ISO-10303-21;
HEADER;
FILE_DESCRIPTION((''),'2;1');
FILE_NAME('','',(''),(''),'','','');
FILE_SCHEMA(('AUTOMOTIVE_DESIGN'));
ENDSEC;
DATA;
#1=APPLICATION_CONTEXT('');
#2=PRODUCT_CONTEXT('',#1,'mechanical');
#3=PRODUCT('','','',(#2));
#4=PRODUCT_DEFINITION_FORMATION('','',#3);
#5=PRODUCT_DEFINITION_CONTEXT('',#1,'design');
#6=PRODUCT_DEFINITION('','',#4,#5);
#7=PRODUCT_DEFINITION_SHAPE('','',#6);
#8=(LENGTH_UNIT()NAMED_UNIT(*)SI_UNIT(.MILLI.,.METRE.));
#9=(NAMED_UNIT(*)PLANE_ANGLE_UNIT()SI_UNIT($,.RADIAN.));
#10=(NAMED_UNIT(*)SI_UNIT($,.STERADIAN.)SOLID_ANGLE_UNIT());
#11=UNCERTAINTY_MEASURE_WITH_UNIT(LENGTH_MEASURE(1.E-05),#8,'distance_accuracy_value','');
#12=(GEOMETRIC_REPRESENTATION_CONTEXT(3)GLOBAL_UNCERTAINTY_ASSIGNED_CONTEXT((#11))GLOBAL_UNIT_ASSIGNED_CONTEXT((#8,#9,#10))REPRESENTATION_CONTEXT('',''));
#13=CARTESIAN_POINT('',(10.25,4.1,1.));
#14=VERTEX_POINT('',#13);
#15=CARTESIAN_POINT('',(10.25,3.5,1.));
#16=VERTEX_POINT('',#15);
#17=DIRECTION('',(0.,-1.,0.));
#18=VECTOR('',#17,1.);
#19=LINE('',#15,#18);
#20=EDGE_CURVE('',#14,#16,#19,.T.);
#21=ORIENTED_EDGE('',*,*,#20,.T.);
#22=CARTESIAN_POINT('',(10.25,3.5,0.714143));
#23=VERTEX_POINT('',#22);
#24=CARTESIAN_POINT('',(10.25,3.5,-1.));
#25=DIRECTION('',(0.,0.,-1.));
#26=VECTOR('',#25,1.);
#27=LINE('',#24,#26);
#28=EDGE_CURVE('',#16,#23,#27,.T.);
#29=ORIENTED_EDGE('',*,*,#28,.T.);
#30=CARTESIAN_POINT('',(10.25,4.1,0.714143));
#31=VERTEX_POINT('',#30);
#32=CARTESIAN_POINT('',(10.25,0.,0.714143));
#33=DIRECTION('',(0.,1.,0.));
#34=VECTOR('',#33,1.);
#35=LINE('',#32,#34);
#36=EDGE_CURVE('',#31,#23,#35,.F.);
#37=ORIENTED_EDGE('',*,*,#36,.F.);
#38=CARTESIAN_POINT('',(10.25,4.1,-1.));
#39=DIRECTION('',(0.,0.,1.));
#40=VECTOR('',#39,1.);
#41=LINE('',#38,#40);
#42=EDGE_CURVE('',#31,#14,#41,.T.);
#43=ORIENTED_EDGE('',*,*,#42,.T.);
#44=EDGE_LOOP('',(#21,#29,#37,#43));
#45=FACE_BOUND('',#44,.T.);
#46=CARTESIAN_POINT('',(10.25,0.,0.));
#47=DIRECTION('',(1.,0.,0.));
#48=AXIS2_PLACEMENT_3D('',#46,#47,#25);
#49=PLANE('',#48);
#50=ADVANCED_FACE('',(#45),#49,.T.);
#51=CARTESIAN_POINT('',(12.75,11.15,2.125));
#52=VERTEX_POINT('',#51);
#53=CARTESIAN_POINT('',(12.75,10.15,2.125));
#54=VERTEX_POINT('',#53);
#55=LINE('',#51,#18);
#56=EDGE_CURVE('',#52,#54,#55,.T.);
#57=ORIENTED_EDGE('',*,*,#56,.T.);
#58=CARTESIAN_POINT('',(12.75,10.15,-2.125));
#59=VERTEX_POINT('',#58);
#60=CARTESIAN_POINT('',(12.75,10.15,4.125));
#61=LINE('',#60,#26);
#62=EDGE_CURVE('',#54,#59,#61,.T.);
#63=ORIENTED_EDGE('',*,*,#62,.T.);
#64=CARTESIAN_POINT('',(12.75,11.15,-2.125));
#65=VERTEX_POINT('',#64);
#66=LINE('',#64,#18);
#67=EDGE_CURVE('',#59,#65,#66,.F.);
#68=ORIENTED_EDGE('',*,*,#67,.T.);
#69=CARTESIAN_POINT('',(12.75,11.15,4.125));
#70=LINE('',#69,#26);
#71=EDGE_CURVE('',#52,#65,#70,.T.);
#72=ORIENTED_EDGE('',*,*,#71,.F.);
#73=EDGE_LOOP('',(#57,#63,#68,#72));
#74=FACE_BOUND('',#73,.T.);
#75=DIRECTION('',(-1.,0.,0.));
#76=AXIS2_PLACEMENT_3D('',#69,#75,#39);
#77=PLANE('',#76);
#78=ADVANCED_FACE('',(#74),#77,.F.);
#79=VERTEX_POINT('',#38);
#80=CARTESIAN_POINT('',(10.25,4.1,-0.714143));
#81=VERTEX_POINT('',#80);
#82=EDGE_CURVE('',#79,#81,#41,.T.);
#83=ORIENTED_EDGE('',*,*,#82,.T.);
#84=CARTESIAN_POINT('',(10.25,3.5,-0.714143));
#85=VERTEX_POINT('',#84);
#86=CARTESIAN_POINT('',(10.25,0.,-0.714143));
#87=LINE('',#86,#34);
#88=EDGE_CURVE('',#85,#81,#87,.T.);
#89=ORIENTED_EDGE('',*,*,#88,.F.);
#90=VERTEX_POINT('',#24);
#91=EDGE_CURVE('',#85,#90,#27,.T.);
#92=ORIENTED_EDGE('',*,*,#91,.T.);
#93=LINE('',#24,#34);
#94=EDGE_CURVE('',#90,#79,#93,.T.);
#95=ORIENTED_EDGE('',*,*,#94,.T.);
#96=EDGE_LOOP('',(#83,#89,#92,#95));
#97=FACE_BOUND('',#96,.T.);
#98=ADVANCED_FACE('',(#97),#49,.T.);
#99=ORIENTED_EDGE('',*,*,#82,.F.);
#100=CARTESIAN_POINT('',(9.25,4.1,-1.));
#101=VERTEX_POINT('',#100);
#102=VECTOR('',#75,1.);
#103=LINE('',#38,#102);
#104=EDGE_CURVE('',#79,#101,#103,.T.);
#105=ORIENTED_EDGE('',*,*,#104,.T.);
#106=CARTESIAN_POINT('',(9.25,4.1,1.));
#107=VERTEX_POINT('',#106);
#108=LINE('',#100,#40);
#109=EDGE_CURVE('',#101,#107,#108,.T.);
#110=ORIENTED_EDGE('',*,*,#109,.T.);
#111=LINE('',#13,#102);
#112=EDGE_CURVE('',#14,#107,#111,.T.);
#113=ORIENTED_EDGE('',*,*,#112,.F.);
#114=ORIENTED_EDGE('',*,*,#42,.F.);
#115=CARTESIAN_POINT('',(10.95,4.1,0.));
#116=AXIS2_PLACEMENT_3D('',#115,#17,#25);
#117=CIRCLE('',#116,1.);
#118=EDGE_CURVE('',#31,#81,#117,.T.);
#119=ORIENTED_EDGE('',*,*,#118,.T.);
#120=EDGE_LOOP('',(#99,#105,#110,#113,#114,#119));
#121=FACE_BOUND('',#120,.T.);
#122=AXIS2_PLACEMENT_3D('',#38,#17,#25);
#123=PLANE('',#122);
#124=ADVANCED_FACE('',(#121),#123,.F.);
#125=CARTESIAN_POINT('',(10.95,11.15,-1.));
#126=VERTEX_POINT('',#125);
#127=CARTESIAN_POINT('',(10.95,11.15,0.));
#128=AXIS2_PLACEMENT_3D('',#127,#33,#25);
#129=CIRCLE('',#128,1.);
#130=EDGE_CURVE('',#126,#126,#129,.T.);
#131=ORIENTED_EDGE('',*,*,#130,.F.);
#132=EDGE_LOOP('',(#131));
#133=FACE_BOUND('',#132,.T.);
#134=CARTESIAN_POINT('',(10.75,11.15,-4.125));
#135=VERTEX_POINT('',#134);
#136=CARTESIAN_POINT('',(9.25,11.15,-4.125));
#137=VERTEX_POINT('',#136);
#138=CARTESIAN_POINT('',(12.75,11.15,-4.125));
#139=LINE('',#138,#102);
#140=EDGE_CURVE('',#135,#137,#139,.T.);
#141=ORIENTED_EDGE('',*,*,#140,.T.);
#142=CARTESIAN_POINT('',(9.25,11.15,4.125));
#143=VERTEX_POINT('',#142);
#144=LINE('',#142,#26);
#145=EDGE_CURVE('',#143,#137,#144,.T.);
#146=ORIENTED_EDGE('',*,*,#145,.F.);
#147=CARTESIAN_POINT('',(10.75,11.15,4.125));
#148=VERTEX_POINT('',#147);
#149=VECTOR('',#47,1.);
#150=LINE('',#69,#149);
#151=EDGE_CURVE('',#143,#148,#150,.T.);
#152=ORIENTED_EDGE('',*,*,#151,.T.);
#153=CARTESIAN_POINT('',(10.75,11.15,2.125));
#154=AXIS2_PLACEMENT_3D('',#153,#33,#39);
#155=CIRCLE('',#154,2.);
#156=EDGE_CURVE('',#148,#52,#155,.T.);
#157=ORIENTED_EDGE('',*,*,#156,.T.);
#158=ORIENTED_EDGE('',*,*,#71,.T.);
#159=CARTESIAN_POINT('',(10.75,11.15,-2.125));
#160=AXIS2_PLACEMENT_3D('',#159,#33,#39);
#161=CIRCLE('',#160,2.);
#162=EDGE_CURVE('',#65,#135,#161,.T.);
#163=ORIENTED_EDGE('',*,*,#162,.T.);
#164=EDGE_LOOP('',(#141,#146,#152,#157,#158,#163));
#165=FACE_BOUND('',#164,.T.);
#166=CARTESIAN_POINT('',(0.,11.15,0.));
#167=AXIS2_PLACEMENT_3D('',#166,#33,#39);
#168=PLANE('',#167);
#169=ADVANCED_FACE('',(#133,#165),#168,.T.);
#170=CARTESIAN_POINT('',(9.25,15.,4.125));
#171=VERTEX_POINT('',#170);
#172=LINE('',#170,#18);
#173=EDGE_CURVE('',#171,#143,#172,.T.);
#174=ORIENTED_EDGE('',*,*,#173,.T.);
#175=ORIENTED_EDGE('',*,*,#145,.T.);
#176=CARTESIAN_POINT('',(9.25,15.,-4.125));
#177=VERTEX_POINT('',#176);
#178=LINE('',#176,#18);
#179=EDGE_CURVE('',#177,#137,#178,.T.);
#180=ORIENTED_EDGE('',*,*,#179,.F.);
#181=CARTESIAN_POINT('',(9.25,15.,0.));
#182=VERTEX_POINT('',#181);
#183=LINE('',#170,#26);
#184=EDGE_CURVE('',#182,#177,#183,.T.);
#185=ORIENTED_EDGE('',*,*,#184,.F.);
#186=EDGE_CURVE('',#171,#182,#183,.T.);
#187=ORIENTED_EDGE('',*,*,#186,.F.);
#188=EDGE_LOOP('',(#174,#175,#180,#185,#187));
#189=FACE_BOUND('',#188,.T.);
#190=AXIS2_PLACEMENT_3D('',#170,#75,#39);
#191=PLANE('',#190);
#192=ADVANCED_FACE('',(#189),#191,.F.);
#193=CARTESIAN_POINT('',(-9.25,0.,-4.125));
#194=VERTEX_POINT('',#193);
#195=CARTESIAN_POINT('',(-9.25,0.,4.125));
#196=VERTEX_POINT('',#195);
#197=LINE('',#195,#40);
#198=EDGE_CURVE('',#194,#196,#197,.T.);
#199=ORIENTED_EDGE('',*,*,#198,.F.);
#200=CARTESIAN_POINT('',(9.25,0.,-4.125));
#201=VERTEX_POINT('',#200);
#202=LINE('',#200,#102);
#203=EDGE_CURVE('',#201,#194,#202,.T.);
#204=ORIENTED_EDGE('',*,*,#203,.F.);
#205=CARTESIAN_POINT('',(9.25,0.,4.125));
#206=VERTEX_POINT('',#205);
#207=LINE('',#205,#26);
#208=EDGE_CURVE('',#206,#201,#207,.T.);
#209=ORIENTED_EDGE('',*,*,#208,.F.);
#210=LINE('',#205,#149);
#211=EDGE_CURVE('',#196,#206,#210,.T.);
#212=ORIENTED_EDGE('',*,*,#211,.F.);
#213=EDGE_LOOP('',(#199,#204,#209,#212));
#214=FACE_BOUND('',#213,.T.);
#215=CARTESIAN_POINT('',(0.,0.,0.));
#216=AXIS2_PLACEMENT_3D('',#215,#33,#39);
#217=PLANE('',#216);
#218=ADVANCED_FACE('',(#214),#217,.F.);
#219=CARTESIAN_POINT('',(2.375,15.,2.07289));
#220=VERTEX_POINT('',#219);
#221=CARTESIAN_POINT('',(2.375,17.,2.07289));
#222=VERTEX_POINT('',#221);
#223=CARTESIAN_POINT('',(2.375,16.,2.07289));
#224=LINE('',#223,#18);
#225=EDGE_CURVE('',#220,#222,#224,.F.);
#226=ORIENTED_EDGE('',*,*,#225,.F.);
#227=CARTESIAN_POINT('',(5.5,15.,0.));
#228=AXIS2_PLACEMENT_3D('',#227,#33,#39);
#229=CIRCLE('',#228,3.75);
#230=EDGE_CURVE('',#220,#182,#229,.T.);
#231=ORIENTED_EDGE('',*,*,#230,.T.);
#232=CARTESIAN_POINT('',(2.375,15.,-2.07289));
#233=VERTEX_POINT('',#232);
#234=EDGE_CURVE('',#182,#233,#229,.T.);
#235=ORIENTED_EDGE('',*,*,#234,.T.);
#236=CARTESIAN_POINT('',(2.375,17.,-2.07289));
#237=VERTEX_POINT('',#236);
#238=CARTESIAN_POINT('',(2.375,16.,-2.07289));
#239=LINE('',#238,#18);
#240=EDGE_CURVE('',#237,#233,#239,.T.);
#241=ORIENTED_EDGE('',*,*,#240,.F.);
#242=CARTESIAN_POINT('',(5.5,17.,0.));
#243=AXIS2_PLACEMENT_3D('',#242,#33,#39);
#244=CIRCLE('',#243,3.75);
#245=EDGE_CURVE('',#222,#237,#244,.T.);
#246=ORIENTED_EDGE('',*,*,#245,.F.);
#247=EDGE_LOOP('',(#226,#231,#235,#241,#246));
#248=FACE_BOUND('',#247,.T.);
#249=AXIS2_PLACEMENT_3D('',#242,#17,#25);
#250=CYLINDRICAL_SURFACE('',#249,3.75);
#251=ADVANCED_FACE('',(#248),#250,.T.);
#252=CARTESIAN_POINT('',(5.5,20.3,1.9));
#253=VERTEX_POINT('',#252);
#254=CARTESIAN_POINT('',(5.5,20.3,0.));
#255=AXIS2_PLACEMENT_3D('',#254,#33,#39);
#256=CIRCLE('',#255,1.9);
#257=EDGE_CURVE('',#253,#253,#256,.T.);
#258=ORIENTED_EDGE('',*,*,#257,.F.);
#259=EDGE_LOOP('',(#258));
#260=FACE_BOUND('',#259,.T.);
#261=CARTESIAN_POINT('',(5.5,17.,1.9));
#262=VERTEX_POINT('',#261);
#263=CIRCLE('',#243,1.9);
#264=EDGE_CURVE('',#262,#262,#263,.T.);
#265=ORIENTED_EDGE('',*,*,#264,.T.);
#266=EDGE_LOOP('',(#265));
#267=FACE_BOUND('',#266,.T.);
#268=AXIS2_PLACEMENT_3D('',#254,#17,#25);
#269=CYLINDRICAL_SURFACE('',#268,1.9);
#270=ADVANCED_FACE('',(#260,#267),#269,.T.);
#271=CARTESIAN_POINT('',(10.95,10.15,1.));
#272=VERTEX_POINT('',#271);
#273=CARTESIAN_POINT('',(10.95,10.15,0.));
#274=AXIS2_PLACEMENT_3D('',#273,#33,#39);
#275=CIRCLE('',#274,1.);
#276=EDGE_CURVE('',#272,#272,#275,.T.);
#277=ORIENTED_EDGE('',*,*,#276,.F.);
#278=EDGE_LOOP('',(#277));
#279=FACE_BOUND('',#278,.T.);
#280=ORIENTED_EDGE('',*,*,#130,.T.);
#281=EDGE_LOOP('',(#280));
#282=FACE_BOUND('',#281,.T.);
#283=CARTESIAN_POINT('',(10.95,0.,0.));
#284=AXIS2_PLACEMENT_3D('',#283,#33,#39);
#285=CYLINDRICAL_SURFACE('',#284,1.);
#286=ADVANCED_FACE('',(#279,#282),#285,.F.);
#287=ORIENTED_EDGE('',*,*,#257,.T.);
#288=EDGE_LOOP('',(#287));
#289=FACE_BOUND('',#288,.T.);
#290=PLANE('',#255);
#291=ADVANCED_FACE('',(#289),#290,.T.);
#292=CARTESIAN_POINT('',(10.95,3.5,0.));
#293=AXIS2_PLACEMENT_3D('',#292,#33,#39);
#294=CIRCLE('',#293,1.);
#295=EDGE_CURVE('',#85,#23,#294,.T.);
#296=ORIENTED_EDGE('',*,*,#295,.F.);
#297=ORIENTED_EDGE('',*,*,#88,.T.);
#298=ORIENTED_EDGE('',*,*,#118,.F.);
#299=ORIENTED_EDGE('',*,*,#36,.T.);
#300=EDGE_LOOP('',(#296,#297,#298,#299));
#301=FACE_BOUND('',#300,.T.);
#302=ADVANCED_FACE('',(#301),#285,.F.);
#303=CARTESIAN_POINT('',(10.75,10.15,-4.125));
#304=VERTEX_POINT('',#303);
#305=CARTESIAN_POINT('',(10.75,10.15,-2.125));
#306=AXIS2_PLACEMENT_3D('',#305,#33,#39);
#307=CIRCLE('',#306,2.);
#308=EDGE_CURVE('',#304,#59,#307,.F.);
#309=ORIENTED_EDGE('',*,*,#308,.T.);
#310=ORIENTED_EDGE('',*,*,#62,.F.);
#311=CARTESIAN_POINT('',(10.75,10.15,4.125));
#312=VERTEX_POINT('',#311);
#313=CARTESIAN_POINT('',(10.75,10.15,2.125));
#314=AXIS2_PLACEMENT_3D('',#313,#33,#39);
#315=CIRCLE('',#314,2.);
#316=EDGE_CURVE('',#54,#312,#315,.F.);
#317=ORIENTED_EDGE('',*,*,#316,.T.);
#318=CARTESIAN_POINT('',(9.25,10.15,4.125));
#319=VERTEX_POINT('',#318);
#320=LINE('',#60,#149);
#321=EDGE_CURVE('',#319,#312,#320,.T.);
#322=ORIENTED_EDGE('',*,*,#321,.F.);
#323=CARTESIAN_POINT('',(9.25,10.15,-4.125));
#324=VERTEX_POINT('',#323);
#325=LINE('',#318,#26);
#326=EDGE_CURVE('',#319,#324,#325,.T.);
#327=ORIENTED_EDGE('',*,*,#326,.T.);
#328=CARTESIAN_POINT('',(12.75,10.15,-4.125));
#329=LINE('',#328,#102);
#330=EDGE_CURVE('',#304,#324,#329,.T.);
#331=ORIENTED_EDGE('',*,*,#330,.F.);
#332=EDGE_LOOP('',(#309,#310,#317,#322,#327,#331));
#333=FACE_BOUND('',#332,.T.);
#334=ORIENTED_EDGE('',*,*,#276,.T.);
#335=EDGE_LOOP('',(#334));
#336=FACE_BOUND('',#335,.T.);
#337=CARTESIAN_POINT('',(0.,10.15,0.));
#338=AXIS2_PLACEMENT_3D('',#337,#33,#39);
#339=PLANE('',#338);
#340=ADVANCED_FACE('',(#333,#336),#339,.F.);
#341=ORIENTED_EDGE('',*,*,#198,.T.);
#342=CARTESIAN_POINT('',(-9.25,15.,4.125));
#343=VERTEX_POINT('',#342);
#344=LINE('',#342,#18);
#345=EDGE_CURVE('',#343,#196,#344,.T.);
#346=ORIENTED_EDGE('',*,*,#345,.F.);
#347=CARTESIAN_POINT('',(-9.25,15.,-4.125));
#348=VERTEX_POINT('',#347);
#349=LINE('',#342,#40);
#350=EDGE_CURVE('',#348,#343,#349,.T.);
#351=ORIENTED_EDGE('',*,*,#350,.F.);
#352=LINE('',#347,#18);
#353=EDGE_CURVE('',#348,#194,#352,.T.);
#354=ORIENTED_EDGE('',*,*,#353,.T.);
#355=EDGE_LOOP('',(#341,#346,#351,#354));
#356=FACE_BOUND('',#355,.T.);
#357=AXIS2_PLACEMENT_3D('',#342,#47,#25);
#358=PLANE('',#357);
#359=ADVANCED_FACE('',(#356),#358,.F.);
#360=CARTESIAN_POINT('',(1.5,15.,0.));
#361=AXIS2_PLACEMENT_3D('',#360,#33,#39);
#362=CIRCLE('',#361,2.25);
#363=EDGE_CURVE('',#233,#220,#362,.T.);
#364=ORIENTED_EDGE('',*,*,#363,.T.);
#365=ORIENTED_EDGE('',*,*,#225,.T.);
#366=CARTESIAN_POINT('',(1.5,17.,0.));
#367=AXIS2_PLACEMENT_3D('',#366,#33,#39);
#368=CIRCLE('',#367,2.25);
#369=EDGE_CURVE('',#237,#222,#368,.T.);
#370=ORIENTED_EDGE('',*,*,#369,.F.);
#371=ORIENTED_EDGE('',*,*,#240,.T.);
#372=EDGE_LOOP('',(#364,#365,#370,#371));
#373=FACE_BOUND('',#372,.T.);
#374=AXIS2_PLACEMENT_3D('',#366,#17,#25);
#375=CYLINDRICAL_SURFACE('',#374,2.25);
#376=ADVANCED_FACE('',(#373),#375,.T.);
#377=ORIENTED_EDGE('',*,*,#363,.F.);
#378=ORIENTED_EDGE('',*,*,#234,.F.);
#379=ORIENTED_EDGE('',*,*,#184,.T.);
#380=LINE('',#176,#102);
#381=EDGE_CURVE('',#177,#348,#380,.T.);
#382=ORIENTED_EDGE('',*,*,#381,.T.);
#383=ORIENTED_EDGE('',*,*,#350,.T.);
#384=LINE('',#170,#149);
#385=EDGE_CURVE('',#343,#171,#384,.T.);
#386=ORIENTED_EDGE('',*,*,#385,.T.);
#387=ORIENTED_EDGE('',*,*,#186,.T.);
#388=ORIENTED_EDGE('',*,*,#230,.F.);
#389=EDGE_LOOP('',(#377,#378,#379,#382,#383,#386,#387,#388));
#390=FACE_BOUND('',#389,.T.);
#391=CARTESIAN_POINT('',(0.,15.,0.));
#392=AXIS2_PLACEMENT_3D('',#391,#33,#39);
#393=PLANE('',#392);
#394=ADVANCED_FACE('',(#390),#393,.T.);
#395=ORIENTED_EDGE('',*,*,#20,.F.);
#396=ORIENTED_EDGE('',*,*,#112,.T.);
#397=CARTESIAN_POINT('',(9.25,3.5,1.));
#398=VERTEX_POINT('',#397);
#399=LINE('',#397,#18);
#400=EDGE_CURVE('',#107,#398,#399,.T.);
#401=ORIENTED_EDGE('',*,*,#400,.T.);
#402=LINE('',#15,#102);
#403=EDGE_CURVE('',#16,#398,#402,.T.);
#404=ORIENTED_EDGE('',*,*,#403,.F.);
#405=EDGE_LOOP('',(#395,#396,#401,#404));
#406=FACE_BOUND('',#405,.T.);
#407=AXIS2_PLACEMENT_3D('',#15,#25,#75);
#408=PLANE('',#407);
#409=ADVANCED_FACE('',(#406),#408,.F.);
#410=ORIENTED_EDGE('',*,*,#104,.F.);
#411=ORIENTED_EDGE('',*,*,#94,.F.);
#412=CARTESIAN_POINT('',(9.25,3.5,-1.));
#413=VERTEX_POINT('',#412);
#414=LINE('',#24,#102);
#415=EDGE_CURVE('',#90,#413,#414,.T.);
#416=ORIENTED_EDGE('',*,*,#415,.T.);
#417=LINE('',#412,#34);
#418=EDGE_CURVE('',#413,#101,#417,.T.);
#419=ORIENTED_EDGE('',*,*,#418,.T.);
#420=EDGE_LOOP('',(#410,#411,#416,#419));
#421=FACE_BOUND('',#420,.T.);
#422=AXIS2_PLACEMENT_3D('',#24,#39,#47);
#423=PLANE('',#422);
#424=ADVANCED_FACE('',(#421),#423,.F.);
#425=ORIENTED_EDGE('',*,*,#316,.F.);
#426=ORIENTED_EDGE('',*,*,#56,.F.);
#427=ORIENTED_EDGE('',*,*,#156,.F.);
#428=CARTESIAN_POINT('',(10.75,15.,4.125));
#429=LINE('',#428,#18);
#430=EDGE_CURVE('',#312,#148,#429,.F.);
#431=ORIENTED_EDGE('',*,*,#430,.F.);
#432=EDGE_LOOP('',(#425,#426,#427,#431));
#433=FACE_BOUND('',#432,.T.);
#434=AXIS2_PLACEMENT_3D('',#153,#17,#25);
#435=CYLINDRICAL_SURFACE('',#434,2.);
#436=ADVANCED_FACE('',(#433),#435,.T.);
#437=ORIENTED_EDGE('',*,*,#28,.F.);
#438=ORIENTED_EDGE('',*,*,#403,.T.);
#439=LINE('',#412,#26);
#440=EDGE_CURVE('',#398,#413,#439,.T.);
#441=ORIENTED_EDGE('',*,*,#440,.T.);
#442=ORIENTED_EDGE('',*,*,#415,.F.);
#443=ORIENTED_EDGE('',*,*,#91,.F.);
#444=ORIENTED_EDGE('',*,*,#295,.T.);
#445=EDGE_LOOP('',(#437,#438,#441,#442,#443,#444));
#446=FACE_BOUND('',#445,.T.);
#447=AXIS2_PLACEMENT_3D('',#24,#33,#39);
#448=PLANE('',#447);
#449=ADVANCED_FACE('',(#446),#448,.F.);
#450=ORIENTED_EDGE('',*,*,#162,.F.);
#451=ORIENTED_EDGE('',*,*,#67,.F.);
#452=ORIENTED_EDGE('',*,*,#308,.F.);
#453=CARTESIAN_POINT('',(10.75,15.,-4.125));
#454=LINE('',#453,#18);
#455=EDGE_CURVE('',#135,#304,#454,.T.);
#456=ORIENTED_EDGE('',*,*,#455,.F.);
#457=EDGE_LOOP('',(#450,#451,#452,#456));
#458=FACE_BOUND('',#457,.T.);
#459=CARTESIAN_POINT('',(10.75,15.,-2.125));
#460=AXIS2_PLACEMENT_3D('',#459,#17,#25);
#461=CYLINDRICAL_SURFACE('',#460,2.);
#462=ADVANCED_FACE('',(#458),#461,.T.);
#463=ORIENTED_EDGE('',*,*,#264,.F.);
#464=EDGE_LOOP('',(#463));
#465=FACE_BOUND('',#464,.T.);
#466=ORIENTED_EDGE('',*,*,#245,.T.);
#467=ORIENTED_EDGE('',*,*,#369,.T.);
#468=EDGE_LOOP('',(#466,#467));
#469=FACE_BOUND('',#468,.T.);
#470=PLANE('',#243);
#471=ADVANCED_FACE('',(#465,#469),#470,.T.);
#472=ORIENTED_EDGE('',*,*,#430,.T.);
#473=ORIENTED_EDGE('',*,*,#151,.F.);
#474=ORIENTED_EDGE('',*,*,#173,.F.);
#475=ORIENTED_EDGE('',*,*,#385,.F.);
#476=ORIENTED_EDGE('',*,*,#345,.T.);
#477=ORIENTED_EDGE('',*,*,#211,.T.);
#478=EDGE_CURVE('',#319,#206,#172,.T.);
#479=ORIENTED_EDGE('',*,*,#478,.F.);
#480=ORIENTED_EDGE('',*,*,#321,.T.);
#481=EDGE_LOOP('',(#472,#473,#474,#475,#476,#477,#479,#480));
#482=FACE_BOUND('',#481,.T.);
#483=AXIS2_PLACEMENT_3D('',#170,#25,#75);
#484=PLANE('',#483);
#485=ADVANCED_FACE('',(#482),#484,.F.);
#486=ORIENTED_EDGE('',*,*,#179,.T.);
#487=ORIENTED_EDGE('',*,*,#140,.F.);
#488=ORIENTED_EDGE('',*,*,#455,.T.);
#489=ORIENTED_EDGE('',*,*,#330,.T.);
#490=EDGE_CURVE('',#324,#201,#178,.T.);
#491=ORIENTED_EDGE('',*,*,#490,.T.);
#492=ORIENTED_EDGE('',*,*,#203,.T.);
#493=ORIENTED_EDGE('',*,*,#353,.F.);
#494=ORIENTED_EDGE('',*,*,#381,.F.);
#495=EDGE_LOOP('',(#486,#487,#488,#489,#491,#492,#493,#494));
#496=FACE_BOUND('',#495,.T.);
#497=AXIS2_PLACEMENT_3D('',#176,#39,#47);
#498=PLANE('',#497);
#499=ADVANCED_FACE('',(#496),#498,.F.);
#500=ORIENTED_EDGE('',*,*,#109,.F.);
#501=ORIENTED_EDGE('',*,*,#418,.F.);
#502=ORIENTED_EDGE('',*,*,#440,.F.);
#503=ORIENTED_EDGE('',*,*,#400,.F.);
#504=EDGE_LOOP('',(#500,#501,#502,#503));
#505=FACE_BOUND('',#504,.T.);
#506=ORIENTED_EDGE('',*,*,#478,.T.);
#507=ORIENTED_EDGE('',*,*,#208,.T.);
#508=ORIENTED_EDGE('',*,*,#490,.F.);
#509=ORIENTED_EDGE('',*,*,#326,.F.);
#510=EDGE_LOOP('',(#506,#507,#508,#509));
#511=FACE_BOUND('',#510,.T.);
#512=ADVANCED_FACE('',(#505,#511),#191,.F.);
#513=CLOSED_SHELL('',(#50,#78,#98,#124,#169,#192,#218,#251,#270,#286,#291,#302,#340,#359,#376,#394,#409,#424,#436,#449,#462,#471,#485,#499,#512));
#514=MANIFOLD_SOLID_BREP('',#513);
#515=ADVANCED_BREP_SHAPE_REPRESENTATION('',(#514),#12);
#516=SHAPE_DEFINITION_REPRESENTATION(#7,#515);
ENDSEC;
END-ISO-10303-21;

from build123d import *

# Parameters (mm, degrees)
SKETCH_1_W          = 18.5
SKETCH_1_H          = 8.25
EXTRUDE_1_DEPTH     = 15
SKETCH_2_R          = 3.75
EXTRUDE_2_DEPTH     = 2
SKETCH_3_R          = 2.25
EXTRUDE_3_DEPTH     = 2
SKETCH_4_R          = 1.9
EXTRUDE_4_DEPTH     = 3.3
SKETCH_5_W          = 2
SKETCH_5_H          = 0.6
EXTRUDE_5_DEPTH     = 1
SKETCH_6_W          = 25.5
SKETCH_6_H          = 8.25
EXTRUDE_6_DEPTH     = 1
SKETCH_7_R          = 1
CUT_EXTRUDE_1_DEPTH = 12.15
FILLET_1_R          = 2
SKETCH_8_W          = 5.807515018
SKETCH_8_H          = 9.098766066
CUT_EXTRUDE_2_DEPTH = 2


with BuildPart() as part:
    # 草图1 → 凸台-拉伸1 (new body)
    with BuildSketch(Plane(origin=(0, 0, 0), x_dir=(1, 0, 0), z_dir=(0, 1, 0))):
        Rectangle(SKETCH_1_W, SKETCH_1_H)
    extrude(amount=EXTRUDE_1_DEPTH)

    # 草图2 → 凸台-拉伸2 (add)
    with BuildSketch(Plane(origin=(0, 15, 0), x_dir=(1, 0, 0), z_dir=(0, 1, 0))):
        with Locations((5.5, 0)):
            Circle(SKETCH_2_R)
    extrude(amount=EXTRUDE_2_DEPTH)

    # 草图3 → 凸台-拉伸3 (add)
    with BuildSketch(Plane(origin=(0, 15, 0), x_dir=(1, 0, 0), z_dir=(0, 1, 0))):
        with Locations((1.5, 0)):
            Circle(SKETCH_3_R)
    extrude(amount=EXTRUDE_3_DEPTH)

    # 草图4 → 凸台-拉伸4 (add)
    with BuildSketch(Plane(origin=(0, 17, 0), x_dir=(1, 0, 0), z_dir=(0, 1, 0))):
        with Locations((5.5, 0)):
            Circle(SKETCH_4_R)
    extrude(amount=EXTRUDE_4_DEPTH)

    # 草图5 → 凸台-拉伸5 (add)
    with BuildSketch(Plane(origin=(9.25, 0, 0), x_dir=(0, 0, -1), z_dir=(1, 0, 0))):
        with Locations((0, 3.8)):
            Rectangle(SKETCH_5_W, SKETCH_5_H)
    extrude(amount=EXTRUDE_5_DEPTH)

    # 草图6 → 凸台-拉伸6 (add)
    with BuildSketch(Plane(origin=(0, 10.15, 0), x_dir=(1, 0, 0), z_dir=(0, 1, 0))):
        Rectangle(SKETCH_6_W, SKETCH_6_H)
    extrude(amount=EXTRUDE_6_DEPTH)

    # 草图7 → 切除-拉伸1 (cut, through all)
    with BuildSketch(Plane(origin=(0, 11.15, 0), x_dir=(1, 0, 0), z_dir=(0, 1, 0))):
        with Locations((-10.95, 0)):
            Circle(SKETCH_7_R)
        with Locations((10.95, 0)):
            Circle(SKETCH_7_R)
    extrude(amount=-CUT_EXTRUDE_1_DEPTH, mode=Mode.SUBTRACT)

    # 圆角1
    fillet_1_edges = [part.edges().sort_by_distance(p)[0] for p in [
        (-12.75, 10.65, 4.125),
        (12.75, 10.65, -4.125),
        (-12.75, 10.65, -4.125),
        (12.75, 10.65, 4.125),
    ]]
    fillet(fillet_1_edges, radius=FILLET_1_R)

    # 草图8 → 切除-拉伸2 (cut)
    with BuildSketch(Plane(origin=(0, 11.15, 0), x_dir=(1, 0, 0), z_dir=(0, 1, 0))):
        with Locations((-12.153757509, 0.424383033)):
            Rectangle(SKETCH_8_W, SKETCH_8_H)
    extrude(amount=-CUT_EXTRUDE_2_DEPTH, mode=Mode.SUBTRACT)


solid = part.part
